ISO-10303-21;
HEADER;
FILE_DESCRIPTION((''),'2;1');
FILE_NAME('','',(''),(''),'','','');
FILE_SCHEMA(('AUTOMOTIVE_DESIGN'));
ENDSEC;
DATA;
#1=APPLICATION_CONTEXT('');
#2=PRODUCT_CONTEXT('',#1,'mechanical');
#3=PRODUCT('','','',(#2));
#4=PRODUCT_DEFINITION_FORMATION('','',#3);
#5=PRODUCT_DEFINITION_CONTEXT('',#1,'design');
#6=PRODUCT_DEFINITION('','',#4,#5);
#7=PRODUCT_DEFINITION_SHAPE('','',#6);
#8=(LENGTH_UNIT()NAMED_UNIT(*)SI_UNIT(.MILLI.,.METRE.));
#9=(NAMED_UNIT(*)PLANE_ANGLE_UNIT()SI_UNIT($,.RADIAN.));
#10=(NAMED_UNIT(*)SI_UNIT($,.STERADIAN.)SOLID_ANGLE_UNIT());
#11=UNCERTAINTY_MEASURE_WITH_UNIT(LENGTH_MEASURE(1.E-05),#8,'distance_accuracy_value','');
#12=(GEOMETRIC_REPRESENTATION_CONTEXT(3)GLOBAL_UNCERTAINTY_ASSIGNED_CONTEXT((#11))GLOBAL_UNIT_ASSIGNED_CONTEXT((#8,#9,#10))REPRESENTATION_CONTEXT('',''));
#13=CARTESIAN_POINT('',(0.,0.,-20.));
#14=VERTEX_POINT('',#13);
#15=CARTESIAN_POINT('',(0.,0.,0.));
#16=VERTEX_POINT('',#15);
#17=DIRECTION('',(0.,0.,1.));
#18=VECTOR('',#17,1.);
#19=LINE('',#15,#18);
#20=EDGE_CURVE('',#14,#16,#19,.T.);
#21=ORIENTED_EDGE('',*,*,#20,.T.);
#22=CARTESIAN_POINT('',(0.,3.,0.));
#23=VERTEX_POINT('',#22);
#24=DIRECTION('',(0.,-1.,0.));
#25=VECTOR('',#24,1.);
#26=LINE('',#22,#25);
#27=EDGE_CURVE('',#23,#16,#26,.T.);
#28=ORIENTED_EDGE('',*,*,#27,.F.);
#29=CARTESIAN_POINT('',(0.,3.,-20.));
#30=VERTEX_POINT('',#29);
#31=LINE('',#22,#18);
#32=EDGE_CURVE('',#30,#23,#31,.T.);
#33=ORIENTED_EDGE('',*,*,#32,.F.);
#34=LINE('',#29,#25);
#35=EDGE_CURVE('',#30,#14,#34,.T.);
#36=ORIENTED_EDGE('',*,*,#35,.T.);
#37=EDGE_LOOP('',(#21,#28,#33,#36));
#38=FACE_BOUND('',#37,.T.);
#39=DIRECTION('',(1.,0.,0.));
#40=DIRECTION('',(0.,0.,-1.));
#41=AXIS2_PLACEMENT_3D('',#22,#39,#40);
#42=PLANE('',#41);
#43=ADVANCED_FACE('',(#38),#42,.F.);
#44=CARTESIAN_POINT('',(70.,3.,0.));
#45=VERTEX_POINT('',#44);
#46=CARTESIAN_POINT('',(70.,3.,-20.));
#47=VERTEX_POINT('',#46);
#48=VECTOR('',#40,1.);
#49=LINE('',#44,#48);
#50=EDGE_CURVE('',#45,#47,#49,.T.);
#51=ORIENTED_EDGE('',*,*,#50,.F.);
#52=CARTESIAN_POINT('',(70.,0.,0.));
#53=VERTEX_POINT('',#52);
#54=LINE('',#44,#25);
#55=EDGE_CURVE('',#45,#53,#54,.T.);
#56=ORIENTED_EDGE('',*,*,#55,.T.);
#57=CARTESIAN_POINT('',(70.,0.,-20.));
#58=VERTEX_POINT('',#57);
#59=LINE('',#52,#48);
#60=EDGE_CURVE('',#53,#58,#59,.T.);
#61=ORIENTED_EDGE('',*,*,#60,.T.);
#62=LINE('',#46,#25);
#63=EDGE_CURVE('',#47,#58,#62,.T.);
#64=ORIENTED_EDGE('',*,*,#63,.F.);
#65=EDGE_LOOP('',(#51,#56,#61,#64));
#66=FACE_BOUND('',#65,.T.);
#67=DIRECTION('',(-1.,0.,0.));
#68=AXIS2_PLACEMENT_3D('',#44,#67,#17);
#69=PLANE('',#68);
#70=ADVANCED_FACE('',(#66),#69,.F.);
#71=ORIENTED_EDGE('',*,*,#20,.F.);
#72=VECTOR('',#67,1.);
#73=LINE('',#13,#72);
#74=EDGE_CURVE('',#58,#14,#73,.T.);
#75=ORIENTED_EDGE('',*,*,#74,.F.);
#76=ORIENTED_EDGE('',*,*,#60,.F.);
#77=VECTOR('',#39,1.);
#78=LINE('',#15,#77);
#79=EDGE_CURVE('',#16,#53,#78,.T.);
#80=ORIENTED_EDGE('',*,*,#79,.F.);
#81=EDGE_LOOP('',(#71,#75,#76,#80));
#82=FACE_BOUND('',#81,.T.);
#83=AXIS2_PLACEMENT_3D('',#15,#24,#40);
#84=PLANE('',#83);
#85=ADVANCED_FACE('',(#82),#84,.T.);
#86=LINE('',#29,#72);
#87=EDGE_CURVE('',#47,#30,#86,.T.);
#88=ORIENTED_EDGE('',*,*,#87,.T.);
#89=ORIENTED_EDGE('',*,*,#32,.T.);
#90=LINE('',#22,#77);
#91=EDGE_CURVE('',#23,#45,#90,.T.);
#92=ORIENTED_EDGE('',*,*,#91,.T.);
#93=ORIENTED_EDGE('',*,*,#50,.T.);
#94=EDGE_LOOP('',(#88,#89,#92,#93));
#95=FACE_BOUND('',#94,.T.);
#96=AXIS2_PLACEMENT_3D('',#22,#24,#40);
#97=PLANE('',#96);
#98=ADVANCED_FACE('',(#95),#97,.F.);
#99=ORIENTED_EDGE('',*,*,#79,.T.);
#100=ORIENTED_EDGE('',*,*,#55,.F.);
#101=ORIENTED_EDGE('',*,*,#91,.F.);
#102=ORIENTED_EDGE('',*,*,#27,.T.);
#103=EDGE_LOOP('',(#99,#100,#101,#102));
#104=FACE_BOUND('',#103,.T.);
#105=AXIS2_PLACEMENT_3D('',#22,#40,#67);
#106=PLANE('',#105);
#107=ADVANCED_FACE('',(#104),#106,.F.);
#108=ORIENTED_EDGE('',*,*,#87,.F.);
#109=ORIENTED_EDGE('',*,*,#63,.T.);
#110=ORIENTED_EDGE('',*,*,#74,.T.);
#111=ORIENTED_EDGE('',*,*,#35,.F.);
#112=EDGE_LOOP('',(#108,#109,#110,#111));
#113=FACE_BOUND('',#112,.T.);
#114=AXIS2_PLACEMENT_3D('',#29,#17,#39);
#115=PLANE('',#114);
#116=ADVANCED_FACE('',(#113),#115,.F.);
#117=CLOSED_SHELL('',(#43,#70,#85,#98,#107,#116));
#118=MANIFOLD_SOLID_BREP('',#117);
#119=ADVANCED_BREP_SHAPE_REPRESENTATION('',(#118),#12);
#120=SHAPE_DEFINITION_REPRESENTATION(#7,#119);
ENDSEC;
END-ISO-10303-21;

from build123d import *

# Parameters (mm, degrees)
SKETCH_1_W      = 70
SKETCH_1_H      = 20
EXTRUDE_1_DEPTH = 3


with BuildPart() as part:
    # Эскиз1 → Бобышка-Вытянуть1 (new body)
    with BuildSketch(Plane(origin=(0, 0, 0), x_dir=(1, 0, 0), z_dir=(0, 1, 0))):
        with Locations((35, 10)):
            Rectangle(SKETCH_1_W, SKETCH_1_H)
    extrude(amount=EXTRUDE_1_DEPTH)


solid = part.part
